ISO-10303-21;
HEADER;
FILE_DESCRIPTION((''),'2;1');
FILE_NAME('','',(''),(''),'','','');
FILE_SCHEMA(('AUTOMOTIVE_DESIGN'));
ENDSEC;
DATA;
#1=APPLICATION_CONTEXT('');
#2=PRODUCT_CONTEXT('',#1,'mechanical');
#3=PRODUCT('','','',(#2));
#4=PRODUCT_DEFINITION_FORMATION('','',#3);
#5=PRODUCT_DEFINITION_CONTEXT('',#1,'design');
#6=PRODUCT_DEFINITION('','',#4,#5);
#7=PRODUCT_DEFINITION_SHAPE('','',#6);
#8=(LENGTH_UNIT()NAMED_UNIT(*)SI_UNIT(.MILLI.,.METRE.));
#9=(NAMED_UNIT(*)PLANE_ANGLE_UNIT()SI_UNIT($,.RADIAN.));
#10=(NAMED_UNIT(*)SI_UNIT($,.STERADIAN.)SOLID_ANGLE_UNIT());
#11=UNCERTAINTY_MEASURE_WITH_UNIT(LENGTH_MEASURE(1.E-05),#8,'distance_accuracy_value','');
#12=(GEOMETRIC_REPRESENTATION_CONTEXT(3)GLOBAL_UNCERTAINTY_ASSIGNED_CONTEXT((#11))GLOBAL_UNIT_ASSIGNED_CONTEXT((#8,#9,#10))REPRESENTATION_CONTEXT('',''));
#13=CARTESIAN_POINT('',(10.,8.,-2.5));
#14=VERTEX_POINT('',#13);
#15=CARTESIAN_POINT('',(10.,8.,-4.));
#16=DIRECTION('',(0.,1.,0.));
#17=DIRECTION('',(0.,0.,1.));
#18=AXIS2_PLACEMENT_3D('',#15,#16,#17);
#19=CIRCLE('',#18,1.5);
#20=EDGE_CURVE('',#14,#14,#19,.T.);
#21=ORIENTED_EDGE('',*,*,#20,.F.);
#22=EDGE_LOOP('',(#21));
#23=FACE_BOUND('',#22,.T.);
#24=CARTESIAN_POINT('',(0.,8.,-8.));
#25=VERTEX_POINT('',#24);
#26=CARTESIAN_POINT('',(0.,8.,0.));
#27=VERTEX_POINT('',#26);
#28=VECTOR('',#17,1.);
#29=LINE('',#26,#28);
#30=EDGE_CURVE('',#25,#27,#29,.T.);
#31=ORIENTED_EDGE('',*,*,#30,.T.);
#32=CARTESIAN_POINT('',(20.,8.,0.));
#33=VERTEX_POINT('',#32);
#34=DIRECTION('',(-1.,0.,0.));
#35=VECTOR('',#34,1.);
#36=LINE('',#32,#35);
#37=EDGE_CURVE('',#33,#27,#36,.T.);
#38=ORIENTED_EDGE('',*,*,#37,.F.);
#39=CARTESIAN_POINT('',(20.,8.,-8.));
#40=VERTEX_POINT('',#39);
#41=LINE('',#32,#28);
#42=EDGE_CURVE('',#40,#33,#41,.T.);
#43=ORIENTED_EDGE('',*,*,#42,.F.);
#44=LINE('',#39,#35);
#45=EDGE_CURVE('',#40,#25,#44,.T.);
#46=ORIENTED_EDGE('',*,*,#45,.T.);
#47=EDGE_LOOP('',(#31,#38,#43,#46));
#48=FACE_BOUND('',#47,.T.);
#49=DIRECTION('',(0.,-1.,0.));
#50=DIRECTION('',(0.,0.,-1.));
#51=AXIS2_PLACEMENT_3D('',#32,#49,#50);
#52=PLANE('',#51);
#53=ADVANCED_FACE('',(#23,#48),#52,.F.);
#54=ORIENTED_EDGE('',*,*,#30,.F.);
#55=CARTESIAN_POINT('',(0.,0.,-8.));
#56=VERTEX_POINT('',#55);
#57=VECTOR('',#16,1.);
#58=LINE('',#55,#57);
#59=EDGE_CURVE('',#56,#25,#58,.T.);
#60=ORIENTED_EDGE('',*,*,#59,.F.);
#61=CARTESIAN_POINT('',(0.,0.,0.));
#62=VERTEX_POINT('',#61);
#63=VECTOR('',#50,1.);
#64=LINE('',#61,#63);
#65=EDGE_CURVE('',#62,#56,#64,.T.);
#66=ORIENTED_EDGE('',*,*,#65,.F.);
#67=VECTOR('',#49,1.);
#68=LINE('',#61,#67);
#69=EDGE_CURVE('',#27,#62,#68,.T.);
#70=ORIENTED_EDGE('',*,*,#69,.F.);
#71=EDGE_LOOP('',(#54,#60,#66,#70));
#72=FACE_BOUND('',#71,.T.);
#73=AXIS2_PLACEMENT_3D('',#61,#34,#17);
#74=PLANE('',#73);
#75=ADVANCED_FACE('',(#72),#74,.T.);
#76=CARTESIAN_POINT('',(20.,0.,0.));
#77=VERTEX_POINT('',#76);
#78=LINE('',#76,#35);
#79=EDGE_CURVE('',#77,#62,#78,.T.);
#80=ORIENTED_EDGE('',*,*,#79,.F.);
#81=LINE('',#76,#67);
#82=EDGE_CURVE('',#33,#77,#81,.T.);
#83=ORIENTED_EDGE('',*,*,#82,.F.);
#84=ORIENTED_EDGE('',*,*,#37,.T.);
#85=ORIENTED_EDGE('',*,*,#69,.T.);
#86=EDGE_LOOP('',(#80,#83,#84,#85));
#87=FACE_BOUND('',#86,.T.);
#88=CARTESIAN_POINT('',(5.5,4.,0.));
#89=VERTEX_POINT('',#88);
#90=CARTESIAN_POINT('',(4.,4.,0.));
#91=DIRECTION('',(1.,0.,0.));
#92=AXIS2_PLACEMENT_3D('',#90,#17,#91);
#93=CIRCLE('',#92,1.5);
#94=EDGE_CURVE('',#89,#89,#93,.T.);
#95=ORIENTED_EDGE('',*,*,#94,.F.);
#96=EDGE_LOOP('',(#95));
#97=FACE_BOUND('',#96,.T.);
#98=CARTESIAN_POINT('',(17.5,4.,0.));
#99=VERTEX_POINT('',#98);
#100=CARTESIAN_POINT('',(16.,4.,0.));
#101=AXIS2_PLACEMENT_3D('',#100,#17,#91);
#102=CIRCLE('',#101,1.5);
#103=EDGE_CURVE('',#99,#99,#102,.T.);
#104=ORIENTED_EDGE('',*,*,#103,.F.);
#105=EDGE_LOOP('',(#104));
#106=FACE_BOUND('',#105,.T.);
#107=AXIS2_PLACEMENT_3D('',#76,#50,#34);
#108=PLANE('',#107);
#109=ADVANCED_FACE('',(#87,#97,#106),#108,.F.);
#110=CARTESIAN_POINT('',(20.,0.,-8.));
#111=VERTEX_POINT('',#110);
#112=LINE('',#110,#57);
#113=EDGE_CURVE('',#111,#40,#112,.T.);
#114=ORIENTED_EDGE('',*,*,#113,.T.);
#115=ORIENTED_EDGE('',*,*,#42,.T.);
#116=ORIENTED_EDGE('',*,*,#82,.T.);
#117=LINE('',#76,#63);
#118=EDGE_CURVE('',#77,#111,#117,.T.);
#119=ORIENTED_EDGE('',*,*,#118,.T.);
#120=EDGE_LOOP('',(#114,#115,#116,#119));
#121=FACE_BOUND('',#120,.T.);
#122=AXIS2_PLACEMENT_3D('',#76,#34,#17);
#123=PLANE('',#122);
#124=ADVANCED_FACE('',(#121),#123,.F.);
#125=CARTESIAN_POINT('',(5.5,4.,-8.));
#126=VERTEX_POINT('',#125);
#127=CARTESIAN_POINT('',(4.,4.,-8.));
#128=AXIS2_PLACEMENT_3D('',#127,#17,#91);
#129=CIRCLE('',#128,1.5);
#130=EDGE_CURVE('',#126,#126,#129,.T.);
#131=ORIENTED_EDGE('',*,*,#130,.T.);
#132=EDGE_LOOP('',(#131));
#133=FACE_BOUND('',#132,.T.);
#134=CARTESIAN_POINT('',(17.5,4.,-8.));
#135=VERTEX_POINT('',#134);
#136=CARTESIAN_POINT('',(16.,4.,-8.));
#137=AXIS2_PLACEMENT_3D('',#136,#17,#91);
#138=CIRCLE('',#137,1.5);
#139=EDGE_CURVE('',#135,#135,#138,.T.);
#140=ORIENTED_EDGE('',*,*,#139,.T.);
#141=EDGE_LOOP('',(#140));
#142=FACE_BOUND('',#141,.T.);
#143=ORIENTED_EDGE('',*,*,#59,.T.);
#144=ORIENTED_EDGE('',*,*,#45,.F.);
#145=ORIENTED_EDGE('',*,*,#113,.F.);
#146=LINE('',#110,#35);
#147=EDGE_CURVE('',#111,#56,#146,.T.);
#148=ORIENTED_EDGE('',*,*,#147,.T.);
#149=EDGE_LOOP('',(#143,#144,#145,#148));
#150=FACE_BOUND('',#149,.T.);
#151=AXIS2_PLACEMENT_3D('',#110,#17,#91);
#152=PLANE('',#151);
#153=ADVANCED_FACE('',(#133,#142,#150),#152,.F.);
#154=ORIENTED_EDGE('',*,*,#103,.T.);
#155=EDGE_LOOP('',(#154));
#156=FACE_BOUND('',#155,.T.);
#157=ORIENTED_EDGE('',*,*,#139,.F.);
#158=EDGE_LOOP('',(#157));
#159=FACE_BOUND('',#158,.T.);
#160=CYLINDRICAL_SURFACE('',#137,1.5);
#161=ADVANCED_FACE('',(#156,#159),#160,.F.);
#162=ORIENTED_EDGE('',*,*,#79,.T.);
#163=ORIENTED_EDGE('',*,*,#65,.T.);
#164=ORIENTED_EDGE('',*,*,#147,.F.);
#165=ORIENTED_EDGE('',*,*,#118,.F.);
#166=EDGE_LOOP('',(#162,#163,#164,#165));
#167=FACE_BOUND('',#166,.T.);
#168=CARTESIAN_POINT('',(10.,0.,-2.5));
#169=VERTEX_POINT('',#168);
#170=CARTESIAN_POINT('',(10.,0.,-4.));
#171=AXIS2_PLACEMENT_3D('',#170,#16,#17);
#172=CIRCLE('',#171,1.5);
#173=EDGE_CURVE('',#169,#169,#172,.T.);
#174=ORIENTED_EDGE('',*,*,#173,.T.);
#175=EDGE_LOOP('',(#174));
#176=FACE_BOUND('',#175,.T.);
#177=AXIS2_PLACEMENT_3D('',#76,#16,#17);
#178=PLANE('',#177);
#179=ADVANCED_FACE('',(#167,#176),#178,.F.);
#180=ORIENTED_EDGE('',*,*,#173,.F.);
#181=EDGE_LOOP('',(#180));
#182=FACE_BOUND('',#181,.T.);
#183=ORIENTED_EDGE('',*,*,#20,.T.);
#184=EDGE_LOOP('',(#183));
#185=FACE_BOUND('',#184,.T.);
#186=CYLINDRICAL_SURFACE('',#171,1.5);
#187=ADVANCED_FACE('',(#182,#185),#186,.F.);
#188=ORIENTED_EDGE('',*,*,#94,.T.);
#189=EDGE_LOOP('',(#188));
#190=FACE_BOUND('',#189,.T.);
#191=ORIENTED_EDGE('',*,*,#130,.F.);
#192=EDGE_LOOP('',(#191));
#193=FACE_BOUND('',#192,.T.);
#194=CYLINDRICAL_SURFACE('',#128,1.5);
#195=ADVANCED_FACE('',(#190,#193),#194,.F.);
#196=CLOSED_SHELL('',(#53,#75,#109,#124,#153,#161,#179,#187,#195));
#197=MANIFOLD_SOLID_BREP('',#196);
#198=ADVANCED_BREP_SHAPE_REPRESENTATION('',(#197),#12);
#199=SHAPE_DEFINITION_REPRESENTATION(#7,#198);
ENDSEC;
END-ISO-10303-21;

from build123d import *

# Parameters (mm, degrees)
SKETCH_1_W          = 8
SKETCH_1_H          = 8
EXTRUDE_1_DEPTH     = 20
SKETCH_3_R          = 1.5
CUT_EXTRUDE_1_DEPTH = 23.978250586
SKETCH_5_R          = 1.5
CUT_EXTRUDE_2_DEPTH = 23.978250586


with BuildPart() as part:
    # 草图1 → 凸台-拉伸1 (new body)
    with BuildSketch(Plane(origin=(0, 0, 0), x_dir=(0, 0, -1), z_dir=(1, 0, 0))):
        with Locations((4, 4)):
            Rectangle(SKETCH_1_W, SKETCH_1_H)
    extrude(amount=EXTRUDE_1_DEPTH)

    # 草图3 → 切除-拉伸1 (cut, through all)
    with BuildSketch(Plane.XY):
        with Locations((4, 4)):
            Circle(SKETCH_3_R)
        with Locations((16, 4)):
            Circle(SKETCH_3_R)
    extrude(amount=-CUT_EXTRUDE_1_DEPTH, mode=Mode.SUBTRACT)

    # 草图5 → 切除-拉伸2 (cut, through all)
    with BuildSketch(Plane(origin=(0, 8, 0), x_dir=(1, 0, 0), z_dir=(0, 1, 0))):
        with Locations(Location((10, 4, 0), (0, 0, 270))):
            Circle(SKETCH_5_R)
    extrude(amount=-CUT_EXTRUDE_2_DEPTH, mode=Mode.SUBTRACT)


solid = part.part
